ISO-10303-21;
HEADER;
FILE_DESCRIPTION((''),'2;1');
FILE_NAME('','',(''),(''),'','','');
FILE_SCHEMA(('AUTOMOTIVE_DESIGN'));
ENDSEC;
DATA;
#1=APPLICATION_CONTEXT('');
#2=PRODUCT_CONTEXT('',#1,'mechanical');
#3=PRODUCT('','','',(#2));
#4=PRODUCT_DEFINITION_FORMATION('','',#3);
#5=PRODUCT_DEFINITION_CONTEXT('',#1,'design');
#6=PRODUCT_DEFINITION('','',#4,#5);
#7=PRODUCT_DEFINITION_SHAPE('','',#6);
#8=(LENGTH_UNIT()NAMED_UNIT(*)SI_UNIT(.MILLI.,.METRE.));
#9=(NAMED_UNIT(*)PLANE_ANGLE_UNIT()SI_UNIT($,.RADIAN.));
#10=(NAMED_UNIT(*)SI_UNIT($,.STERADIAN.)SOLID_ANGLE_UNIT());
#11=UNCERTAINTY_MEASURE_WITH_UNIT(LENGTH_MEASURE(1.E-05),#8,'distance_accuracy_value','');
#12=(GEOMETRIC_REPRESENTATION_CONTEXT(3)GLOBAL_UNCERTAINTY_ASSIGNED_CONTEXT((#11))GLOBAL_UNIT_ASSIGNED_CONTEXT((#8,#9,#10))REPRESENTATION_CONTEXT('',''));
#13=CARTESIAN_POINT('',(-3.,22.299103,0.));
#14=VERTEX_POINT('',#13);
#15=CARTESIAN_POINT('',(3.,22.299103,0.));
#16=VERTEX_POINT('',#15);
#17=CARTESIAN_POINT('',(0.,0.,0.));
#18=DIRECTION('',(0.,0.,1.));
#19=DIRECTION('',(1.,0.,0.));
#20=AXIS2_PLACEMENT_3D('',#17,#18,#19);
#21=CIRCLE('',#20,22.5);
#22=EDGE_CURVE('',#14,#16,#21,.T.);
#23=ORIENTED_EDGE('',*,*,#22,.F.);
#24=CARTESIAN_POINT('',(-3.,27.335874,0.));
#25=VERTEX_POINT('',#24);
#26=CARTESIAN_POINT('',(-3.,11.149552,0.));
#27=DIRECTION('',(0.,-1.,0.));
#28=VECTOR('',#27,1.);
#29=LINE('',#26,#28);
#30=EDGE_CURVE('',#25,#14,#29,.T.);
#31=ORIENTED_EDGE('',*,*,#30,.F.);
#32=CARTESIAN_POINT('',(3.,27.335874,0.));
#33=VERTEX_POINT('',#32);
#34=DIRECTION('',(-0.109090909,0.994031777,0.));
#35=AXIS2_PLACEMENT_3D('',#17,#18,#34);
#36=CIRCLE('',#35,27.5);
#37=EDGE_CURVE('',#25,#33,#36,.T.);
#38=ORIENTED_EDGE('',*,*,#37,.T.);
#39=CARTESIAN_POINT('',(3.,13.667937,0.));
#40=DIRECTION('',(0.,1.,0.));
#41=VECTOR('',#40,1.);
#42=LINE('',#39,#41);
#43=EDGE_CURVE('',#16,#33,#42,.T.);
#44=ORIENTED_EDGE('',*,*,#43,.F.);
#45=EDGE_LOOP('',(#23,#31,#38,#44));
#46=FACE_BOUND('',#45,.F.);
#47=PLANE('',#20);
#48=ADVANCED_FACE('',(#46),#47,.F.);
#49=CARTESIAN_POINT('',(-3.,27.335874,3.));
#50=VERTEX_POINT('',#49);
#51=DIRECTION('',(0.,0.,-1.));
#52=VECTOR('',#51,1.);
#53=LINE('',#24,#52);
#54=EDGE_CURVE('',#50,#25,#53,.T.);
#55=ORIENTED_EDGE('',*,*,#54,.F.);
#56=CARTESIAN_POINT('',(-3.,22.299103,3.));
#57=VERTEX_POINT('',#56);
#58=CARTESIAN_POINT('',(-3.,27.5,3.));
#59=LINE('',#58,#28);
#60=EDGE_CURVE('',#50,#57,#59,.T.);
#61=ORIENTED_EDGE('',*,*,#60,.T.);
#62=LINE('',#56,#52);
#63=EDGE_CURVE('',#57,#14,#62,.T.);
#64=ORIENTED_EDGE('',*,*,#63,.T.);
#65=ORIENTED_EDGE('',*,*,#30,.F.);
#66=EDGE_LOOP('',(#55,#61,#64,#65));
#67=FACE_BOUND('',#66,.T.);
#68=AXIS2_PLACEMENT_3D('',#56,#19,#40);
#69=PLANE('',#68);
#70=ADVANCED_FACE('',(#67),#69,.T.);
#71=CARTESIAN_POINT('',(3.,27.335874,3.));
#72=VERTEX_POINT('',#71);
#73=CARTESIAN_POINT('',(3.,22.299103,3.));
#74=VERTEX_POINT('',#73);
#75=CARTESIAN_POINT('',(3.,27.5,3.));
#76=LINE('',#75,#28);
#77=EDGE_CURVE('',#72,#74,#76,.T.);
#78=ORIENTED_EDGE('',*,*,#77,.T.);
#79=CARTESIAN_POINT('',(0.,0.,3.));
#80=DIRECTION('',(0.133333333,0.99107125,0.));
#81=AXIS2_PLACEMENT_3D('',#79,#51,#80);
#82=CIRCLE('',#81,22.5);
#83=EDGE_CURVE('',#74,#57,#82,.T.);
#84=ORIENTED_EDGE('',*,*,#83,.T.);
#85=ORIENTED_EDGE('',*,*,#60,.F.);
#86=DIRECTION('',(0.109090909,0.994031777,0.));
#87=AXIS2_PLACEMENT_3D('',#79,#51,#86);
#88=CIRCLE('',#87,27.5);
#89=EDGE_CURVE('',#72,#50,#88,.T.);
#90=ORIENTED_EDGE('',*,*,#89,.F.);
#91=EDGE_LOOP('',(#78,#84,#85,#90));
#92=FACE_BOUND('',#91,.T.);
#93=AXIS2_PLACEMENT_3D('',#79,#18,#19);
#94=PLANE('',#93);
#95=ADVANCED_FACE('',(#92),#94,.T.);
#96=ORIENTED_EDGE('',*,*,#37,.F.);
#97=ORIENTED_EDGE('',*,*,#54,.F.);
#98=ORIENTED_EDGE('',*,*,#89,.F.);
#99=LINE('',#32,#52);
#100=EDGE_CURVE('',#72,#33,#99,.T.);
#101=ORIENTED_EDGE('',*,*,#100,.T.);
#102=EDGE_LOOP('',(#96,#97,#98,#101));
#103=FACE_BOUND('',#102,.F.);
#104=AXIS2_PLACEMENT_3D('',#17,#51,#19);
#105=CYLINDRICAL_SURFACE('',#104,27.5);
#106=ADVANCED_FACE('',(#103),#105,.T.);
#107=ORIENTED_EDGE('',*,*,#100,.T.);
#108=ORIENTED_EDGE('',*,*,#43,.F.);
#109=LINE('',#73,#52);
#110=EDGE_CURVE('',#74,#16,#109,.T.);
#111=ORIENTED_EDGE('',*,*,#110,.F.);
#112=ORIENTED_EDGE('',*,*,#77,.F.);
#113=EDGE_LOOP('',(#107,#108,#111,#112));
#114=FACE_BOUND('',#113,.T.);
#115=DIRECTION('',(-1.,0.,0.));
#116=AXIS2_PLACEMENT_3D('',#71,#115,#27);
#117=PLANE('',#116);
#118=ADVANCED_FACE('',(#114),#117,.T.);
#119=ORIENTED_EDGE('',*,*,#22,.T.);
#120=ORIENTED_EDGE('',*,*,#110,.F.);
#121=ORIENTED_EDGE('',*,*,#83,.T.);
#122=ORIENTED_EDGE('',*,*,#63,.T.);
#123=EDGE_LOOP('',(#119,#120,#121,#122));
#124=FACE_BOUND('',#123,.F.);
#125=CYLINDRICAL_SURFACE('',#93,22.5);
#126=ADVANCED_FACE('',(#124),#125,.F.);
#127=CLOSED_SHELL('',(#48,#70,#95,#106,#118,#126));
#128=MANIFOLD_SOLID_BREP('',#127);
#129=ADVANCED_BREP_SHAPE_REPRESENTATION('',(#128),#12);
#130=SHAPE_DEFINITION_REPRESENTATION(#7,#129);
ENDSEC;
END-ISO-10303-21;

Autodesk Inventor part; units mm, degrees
ref_plane "YZ Plane" through (0, 0, 0) normal (1, 0, 0) x (0, 1, 0)
ref_plane "XZ Plane" through (0, 0, 0) normal (0, 1, 0) x (-1, 0, 0)
ref_plane "XY Plane" through (0, 0, 0) normal (0, 0, 1) x (1, 0, 0)
sketch "Sketch1" plane through (0, 0, 0) normal (0, 0, 1) x (1, 0, 0)
  circle A0 centre (0, 0) radius 27.5
  dimension "d0" = 55
extrude "Extrusion1" add sketch "Sketch1" along normal blind 3
sketch "Sketch2" plane through (0, 0, 3) normal (0, 0, 1) x (1, 0, 0)
  circle A0 centre (0, 0) radius 27.5 projected
  circle A1 centre (0, 0) radius 22.5
  line L0 (-3, 27.5) -> (3, 27.5)
  line L1 (3, 27.5) -> (3, 0)
  line L2 (3, 0) -> (-3, 0)
  line L3 (-3, 0) -> (-3, 27.5)
  line L4 (0, 0) -> (0, 42.337) construction
  point P0 (0, 27.5)
  dimension "d3" = 45
  dimension "d4" = 6
extrude "Extrusion2" cut sketch "Sketch2" against normal up to next contours L1 A1 L3 A0 | A0 L0 L1 | L3 L0 A0 | L1 L2 L3 A1 | A1 L3 L2 L1 picked at (0, 24.1518)
properties part number "LedHolder"
